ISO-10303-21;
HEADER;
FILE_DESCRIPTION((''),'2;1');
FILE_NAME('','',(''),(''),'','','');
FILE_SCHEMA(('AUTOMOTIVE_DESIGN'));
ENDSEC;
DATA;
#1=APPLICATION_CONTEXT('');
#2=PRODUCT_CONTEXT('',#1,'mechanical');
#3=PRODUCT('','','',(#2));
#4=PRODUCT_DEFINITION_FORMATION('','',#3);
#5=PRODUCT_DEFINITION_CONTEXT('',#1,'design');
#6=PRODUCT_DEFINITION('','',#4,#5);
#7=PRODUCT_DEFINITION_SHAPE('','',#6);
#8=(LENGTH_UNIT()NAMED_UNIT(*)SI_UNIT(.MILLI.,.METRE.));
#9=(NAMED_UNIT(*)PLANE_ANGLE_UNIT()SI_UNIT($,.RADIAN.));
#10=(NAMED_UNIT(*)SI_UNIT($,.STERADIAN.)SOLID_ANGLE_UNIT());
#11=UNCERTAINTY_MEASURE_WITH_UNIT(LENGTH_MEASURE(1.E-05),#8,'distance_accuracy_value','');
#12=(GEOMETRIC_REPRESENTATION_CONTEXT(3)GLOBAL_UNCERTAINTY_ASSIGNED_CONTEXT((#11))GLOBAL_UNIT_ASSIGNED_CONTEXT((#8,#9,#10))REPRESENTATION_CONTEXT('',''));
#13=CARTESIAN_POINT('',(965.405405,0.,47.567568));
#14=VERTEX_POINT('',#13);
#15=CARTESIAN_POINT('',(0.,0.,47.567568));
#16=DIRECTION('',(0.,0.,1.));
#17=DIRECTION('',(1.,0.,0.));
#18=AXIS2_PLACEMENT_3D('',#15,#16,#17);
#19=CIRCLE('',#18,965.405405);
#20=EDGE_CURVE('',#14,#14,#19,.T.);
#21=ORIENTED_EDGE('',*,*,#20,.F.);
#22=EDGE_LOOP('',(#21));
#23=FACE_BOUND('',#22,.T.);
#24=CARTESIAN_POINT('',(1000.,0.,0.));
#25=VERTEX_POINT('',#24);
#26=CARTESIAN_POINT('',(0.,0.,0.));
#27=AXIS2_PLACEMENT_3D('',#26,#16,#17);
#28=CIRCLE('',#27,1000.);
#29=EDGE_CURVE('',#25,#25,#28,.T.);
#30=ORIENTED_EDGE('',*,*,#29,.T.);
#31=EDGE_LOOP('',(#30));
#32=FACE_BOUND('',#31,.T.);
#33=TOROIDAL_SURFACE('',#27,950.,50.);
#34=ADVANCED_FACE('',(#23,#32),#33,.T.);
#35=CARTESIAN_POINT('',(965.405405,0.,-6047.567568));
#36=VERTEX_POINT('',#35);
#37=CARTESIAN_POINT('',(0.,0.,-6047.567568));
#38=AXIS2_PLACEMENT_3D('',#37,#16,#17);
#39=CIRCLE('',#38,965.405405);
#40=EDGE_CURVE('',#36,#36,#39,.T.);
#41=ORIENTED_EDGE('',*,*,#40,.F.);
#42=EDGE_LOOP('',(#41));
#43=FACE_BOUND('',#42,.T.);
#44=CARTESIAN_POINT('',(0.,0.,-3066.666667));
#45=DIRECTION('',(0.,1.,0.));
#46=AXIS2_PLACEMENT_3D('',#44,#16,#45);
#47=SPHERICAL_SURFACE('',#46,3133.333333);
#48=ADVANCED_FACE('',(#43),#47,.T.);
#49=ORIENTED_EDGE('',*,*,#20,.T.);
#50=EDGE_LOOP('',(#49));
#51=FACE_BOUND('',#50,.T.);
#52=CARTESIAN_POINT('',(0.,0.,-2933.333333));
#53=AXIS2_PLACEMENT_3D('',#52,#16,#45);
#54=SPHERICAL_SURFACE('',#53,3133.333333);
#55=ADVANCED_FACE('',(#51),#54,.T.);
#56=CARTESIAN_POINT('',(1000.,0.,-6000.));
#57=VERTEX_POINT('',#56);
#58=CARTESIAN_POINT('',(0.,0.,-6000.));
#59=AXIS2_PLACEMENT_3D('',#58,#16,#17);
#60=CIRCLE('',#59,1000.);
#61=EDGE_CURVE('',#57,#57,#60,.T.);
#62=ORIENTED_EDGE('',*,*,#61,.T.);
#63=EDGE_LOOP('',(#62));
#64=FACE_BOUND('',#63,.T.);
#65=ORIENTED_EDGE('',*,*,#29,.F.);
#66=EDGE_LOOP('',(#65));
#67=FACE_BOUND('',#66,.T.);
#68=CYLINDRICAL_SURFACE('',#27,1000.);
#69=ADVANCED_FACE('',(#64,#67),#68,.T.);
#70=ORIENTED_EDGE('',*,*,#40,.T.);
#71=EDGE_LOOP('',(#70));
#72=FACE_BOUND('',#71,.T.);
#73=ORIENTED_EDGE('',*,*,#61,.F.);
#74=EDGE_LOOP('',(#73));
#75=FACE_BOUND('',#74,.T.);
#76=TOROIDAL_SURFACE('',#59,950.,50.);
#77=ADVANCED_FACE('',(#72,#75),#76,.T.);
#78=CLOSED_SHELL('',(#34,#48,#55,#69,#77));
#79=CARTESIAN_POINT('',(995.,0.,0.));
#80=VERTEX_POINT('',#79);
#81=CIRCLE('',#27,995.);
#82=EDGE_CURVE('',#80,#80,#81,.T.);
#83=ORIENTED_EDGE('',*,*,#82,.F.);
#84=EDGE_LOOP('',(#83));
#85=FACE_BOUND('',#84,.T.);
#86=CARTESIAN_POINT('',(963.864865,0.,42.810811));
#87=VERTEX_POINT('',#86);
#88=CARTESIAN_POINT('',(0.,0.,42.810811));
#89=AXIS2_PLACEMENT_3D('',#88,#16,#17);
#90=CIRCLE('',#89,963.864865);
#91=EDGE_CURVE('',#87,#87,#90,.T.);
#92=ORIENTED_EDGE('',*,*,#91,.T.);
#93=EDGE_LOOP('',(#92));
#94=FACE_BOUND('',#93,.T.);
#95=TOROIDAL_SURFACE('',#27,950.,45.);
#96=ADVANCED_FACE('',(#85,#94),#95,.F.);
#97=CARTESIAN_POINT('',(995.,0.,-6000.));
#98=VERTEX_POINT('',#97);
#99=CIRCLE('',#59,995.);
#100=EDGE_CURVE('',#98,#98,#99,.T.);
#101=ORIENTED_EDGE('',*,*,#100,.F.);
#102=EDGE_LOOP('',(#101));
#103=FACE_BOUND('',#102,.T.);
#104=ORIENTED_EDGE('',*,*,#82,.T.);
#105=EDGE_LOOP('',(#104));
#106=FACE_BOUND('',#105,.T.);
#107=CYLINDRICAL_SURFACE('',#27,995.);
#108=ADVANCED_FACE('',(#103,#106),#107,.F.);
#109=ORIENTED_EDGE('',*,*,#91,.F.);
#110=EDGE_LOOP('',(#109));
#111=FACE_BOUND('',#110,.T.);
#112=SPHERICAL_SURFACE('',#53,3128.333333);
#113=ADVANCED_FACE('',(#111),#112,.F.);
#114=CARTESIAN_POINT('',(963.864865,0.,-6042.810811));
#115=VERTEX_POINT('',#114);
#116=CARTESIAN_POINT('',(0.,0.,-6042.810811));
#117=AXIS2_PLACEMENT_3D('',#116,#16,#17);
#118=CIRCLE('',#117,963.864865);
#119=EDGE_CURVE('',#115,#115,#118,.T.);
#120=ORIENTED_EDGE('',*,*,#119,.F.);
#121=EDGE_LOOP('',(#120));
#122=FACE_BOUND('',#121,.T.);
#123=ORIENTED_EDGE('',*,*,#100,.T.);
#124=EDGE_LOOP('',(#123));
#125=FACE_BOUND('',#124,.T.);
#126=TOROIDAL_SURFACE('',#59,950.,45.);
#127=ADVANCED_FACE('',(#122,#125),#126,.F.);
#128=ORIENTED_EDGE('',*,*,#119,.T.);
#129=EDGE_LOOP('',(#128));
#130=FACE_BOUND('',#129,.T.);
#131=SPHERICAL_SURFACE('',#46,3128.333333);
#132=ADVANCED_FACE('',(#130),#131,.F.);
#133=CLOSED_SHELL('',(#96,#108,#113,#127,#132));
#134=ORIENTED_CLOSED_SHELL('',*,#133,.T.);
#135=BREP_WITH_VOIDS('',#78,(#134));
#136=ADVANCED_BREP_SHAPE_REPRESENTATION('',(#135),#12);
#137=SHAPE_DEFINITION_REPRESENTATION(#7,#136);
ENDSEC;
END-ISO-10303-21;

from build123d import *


with BuildPart() as part:
    # Szkic1 → Obr_t-cienka _cianka1 (revolve)
    with BuildSketch(Plane(origin=(0, 0, 0), x_dir=(0, 0, -1), z_dir=(1, 0, 0)), mode=Mode.PRIVATE) as obr_t_cienka_cianka1_sk:
        with BuildLine():
            ThreePointArc((-200, 0), (-161.657291364, 488.682730215), (-47.567567568, 965.405405405))
            ThreePointArc((-47.567567568, 965.405405405), (-29.408584884, 990.436804215), (0, 1000))
            Line((0, 1000), (6000, 1000))
            ThreePointArc((6000, 1000), (6029.408584884, 990.436804215), (6047.567567568, 965.405405405))
            ThreePointArc((6047.567567568, 965.405405405), (6161.657291364, 488.682730215), (6200, 0))
            Line((6200, 0), (6195, 0))
            ThreePointArc((6195, 0), (6156.718476538, 487.902917348), (6042.810810811, 963.864864865))
            ThreePointArc((6042.810810811, 963.864864865), (6026.467726395, 986.393123794), (6000, 995))
            Line((6000, 995), (0, 995))
            ThreePointArc((0, 995), (-26.467726395, 986.393123794), (-42.810810811, 963.864864865))
            ThreePointArc((-42.810810811, 963.864864865), (-156.718476538, 487.902917348), (-195, 0))
            Line((-195, 0), (-200, 0))
        make_face()
    revolve(obr_t_cienka_cianka1_sk.sketch.rotate(Axis((0, 0, 0), (0, 0, -1)), 90), axis=Axis((0, 0, 0), (0, 0, -1)))  # turned: the seam where the file's is


solid = part.part
